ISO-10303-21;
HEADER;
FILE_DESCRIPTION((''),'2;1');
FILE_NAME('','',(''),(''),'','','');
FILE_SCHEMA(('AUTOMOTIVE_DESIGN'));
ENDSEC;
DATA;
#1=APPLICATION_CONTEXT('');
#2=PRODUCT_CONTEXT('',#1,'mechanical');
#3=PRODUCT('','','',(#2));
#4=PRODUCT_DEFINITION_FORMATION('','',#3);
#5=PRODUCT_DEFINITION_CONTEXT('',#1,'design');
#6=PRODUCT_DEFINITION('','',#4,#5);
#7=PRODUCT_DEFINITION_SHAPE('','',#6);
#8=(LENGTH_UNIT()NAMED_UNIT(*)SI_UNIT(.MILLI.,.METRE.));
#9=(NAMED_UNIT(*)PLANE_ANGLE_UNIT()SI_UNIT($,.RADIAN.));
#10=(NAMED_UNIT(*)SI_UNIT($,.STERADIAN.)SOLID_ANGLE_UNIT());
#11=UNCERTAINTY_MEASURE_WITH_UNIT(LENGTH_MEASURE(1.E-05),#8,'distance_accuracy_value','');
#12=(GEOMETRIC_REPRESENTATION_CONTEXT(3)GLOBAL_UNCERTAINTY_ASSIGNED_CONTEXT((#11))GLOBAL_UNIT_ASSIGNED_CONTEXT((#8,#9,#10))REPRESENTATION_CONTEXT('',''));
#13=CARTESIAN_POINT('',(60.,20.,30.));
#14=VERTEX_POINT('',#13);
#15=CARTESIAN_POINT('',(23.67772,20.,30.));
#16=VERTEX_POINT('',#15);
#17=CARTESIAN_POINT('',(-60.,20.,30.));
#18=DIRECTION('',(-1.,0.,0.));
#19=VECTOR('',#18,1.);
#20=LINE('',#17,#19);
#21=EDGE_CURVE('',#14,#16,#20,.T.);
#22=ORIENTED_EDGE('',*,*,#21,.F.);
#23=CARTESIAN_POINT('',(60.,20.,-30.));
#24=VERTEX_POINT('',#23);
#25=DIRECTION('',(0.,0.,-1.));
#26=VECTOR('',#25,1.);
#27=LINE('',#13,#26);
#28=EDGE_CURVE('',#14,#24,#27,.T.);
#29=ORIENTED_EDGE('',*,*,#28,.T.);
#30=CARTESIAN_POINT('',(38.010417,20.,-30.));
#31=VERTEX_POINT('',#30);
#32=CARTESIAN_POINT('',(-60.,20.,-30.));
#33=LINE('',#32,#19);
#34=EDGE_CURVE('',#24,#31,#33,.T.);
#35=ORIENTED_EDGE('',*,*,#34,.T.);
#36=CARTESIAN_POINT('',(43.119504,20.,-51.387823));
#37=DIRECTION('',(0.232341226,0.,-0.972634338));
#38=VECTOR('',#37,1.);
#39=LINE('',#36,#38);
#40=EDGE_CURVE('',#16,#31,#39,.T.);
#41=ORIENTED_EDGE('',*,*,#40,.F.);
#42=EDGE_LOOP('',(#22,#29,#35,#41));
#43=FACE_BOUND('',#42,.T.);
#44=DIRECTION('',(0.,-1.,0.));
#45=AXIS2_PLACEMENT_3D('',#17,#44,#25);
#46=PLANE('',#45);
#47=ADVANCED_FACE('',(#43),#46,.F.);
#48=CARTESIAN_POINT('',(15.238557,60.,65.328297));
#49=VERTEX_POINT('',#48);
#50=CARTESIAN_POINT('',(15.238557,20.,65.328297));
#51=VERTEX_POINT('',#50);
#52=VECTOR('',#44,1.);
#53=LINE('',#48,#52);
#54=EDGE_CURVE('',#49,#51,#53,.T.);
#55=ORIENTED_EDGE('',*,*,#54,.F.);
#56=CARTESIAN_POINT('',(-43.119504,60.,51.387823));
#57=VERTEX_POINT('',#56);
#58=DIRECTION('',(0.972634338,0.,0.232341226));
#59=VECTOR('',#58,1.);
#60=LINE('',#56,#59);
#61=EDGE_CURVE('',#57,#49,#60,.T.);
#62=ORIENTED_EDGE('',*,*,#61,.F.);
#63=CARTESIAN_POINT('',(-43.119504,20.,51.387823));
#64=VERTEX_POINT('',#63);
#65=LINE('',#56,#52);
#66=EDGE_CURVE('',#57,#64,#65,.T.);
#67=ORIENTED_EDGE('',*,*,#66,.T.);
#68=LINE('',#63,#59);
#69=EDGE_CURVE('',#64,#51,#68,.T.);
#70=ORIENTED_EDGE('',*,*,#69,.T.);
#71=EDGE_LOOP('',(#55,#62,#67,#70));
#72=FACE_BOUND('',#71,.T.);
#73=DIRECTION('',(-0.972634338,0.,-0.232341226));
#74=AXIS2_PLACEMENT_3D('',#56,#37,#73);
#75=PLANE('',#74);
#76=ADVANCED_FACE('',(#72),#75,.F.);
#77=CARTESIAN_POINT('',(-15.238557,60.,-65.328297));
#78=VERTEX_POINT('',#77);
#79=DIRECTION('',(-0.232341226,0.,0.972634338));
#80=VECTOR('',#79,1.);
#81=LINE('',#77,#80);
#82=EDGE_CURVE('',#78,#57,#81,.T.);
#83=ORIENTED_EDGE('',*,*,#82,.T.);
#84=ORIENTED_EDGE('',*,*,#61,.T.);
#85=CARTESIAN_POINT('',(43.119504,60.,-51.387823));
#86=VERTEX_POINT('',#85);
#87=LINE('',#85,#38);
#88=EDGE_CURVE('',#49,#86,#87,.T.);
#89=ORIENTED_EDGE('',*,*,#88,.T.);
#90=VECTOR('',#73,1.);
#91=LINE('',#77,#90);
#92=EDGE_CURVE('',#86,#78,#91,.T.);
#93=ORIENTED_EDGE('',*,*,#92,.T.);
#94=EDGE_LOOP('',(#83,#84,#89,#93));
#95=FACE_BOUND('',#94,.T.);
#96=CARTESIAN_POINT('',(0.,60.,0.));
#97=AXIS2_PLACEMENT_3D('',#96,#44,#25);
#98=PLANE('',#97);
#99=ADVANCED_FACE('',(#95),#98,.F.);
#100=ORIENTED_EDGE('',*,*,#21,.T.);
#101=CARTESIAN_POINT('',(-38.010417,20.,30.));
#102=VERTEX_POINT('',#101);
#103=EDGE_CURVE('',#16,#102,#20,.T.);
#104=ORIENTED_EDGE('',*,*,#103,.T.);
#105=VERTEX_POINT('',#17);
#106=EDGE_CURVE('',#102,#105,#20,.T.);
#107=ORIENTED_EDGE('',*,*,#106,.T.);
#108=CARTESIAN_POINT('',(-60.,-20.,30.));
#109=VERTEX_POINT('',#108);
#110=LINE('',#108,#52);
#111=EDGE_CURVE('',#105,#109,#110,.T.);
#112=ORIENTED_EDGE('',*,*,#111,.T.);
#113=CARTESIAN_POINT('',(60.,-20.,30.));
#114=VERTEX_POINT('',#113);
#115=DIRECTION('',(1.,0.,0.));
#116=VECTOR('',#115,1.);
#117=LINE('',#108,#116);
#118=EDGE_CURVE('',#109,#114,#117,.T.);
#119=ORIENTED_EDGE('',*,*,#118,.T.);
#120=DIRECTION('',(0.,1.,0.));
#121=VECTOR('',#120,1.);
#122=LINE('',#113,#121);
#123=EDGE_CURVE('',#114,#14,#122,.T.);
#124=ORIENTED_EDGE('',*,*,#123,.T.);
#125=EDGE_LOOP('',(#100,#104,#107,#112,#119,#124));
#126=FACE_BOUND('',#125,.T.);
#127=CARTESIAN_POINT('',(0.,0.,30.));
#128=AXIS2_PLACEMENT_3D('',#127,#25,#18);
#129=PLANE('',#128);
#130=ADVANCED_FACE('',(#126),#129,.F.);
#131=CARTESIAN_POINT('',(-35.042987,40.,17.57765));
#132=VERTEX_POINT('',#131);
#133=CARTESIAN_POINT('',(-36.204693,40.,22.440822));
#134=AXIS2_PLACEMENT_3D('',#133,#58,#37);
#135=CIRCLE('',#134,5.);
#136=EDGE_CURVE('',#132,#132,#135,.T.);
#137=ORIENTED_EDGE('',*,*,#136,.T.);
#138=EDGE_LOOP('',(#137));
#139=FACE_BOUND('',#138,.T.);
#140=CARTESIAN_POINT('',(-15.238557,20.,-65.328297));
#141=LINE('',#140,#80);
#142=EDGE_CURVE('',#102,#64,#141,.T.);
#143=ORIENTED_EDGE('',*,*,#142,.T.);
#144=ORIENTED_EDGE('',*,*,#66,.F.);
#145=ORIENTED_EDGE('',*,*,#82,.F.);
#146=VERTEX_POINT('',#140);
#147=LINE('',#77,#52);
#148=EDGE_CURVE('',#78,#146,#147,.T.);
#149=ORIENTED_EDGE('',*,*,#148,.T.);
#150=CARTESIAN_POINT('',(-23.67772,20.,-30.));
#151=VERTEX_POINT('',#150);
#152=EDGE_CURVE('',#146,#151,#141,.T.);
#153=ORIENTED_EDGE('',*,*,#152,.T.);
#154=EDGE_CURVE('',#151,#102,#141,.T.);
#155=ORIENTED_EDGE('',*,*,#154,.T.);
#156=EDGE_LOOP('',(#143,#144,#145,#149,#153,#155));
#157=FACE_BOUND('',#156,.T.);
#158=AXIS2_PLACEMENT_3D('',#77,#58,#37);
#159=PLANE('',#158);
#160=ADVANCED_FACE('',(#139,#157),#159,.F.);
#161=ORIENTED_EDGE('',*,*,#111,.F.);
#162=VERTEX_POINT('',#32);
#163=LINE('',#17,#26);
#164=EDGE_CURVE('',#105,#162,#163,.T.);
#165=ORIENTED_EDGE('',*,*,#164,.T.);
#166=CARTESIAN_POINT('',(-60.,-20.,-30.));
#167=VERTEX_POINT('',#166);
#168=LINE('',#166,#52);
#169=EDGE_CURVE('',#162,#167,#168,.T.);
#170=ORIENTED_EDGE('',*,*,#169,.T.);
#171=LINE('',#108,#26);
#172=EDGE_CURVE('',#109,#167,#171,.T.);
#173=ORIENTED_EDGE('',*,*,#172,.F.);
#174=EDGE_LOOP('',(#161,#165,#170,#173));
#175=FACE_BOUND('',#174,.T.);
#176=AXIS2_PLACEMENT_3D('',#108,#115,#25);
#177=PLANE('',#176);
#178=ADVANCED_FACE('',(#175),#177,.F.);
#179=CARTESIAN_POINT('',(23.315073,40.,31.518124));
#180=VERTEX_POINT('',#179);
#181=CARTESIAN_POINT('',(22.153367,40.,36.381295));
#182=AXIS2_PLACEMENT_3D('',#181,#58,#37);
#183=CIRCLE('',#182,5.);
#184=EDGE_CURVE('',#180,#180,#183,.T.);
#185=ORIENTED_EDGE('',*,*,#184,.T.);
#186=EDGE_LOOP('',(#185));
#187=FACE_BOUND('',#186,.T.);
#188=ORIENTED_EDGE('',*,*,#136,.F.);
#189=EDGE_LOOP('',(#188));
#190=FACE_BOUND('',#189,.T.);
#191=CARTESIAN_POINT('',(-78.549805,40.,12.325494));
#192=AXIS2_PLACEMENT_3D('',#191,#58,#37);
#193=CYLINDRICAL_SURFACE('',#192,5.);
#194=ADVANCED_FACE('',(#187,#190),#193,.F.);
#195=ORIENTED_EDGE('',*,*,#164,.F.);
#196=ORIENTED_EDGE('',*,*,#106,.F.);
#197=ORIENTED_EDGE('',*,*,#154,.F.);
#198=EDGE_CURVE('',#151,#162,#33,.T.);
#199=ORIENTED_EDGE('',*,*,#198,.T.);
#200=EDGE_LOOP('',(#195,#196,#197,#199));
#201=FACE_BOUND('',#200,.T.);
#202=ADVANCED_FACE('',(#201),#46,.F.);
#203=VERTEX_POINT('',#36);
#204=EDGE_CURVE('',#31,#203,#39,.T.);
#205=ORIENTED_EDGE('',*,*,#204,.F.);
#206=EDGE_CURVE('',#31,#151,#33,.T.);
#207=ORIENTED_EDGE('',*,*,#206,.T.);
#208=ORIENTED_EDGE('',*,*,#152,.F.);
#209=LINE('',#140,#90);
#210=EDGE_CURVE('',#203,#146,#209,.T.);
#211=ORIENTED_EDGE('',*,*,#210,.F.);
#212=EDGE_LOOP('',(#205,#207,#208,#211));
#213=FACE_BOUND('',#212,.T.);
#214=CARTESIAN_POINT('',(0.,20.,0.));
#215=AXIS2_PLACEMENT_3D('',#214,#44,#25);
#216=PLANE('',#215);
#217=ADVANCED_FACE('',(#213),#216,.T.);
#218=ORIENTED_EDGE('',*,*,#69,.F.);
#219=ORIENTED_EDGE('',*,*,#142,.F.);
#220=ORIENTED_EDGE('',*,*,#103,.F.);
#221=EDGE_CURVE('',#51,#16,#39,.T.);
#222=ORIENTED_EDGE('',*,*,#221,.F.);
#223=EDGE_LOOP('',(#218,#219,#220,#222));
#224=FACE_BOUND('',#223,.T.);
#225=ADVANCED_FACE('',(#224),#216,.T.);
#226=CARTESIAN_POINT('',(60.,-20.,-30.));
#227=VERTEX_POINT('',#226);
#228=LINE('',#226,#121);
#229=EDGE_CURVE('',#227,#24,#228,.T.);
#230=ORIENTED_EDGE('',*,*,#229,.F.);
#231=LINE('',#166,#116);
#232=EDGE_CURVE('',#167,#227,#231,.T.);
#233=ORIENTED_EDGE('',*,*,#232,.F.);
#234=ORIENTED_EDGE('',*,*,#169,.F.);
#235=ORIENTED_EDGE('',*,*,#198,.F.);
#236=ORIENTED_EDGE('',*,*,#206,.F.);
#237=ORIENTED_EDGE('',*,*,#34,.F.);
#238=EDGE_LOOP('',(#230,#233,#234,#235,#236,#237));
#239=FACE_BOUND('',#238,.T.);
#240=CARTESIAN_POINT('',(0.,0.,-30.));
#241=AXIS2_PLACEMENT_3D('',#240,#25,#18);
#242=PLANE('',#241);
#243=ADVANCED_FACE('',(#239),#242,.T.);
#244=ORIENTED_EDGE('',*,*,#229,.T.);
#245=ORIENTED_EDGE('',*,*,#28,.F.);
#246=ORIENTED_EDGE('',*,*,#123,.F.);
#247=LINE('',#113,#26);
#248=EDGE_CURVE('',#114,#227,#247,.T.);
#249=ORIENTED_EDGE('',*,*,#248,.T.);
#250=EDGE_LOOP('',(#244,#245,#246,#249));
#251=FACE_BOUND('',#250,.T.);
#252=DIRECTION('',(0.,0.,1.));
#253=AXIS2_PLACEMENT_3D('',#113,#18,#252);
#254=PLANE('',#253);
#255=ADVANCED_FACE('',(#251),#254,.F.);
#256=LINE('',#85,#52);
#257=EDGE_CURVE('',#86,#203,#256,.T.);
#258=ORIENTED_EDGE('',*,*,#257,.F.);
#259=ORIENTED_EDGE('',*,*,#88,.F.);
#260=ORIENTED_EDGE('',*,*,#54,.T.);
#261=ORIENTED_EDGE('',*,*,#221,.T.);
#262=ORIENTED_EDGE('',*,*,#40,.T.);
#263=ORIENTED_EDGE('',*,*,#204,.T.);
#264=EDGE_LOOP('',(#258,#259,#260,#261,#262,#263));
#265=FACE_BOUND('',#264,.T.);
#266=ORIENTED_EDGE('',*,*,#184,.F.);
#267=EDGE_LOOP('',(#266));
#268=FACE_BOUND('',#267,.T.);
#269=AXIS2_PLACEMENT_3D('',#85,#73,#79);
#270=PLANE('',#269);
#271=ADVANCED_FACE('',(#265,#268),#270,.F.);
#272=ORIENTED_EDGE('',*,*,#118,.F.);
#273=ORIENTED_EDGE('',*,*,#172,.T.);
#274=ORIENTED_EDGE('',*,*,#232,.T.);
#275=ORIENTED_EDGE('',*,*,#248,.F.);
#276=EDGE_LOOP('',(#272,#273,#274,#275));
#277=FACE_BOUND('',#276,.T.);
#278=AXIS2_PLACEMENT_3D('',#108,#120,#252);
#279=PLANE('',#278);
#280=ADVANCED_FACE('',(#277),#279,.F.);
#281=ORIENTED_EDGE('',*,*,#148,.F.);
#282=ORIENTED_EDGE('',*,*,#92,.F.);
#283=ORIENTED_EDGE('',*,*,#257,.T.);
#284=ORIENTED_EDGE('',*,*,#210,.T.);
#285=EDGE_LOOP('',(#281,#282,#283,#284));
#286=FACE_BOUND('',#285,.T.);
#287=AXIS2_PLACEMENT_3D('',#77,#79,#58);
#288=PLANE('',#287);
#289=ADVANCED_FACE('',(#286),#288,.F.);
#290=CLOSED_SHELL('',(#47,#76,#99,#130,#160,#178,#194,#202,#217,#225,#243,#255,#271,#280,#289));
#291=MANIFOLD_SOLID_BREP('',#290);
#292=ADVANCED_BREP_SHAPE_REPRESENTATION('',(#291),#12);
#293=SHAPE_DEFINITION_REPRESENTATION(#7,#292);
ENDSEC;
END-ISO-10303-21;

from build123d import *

# Parameters (mm, degrees)
SKETCH1_W           = 120
SKETCH1_H           = 40
BOSS_EXTRUDE1_DEPTH = 30
BOSS_EXTRUDE2_DEPTH = 40
SKETCH3_R           = 5
CUT_EXTRUDE1_DEPTH  = 104.536516906


with BuildPart() as part:
    # Sketch1 → Boss-Extrude1 (new body, symmetric)
    with BuildSketch(Plane.XY):
        Rectangle(SKETCH1_W, SKETCH1_H)
    extrude(amount=BOSS_EXTRUDE1_DEPTH, both=True)

    # Sketch2 → Boss-Extrude2 (add)
    with BuildSketch(Plane(origin=(0, 20, 0), x_dir=(1, 0, 0), z_dir=(0, 1, 0))):
        Polygon((-15.23855654, 65.328297043), (-43.119503711, -51.387823458), (15.23855654, -65.328297043), (43.119503711, 51.387823458), align=None)
    extrude(amount=BOSS_EXTRUDE2_DEPTH)

    # Sketch3 → Cut-Extrude1 (cut, through all)
    with BuildSketch(Plane(origin=(29.179030125, 50, 6.970236793), x_dir=(0.053982445, -0.972634338, -0.225983055), z_dir=(0.972634338, 0, 0.232341226))):
        with Locations((2.700680063, -31.734470672)):
            Circle(SKETCH3_R)
    extrude(amount=-CUT_EXTRUDE1_DEPTH, mode=Mode.SUBTRACT)


solid = part.part
